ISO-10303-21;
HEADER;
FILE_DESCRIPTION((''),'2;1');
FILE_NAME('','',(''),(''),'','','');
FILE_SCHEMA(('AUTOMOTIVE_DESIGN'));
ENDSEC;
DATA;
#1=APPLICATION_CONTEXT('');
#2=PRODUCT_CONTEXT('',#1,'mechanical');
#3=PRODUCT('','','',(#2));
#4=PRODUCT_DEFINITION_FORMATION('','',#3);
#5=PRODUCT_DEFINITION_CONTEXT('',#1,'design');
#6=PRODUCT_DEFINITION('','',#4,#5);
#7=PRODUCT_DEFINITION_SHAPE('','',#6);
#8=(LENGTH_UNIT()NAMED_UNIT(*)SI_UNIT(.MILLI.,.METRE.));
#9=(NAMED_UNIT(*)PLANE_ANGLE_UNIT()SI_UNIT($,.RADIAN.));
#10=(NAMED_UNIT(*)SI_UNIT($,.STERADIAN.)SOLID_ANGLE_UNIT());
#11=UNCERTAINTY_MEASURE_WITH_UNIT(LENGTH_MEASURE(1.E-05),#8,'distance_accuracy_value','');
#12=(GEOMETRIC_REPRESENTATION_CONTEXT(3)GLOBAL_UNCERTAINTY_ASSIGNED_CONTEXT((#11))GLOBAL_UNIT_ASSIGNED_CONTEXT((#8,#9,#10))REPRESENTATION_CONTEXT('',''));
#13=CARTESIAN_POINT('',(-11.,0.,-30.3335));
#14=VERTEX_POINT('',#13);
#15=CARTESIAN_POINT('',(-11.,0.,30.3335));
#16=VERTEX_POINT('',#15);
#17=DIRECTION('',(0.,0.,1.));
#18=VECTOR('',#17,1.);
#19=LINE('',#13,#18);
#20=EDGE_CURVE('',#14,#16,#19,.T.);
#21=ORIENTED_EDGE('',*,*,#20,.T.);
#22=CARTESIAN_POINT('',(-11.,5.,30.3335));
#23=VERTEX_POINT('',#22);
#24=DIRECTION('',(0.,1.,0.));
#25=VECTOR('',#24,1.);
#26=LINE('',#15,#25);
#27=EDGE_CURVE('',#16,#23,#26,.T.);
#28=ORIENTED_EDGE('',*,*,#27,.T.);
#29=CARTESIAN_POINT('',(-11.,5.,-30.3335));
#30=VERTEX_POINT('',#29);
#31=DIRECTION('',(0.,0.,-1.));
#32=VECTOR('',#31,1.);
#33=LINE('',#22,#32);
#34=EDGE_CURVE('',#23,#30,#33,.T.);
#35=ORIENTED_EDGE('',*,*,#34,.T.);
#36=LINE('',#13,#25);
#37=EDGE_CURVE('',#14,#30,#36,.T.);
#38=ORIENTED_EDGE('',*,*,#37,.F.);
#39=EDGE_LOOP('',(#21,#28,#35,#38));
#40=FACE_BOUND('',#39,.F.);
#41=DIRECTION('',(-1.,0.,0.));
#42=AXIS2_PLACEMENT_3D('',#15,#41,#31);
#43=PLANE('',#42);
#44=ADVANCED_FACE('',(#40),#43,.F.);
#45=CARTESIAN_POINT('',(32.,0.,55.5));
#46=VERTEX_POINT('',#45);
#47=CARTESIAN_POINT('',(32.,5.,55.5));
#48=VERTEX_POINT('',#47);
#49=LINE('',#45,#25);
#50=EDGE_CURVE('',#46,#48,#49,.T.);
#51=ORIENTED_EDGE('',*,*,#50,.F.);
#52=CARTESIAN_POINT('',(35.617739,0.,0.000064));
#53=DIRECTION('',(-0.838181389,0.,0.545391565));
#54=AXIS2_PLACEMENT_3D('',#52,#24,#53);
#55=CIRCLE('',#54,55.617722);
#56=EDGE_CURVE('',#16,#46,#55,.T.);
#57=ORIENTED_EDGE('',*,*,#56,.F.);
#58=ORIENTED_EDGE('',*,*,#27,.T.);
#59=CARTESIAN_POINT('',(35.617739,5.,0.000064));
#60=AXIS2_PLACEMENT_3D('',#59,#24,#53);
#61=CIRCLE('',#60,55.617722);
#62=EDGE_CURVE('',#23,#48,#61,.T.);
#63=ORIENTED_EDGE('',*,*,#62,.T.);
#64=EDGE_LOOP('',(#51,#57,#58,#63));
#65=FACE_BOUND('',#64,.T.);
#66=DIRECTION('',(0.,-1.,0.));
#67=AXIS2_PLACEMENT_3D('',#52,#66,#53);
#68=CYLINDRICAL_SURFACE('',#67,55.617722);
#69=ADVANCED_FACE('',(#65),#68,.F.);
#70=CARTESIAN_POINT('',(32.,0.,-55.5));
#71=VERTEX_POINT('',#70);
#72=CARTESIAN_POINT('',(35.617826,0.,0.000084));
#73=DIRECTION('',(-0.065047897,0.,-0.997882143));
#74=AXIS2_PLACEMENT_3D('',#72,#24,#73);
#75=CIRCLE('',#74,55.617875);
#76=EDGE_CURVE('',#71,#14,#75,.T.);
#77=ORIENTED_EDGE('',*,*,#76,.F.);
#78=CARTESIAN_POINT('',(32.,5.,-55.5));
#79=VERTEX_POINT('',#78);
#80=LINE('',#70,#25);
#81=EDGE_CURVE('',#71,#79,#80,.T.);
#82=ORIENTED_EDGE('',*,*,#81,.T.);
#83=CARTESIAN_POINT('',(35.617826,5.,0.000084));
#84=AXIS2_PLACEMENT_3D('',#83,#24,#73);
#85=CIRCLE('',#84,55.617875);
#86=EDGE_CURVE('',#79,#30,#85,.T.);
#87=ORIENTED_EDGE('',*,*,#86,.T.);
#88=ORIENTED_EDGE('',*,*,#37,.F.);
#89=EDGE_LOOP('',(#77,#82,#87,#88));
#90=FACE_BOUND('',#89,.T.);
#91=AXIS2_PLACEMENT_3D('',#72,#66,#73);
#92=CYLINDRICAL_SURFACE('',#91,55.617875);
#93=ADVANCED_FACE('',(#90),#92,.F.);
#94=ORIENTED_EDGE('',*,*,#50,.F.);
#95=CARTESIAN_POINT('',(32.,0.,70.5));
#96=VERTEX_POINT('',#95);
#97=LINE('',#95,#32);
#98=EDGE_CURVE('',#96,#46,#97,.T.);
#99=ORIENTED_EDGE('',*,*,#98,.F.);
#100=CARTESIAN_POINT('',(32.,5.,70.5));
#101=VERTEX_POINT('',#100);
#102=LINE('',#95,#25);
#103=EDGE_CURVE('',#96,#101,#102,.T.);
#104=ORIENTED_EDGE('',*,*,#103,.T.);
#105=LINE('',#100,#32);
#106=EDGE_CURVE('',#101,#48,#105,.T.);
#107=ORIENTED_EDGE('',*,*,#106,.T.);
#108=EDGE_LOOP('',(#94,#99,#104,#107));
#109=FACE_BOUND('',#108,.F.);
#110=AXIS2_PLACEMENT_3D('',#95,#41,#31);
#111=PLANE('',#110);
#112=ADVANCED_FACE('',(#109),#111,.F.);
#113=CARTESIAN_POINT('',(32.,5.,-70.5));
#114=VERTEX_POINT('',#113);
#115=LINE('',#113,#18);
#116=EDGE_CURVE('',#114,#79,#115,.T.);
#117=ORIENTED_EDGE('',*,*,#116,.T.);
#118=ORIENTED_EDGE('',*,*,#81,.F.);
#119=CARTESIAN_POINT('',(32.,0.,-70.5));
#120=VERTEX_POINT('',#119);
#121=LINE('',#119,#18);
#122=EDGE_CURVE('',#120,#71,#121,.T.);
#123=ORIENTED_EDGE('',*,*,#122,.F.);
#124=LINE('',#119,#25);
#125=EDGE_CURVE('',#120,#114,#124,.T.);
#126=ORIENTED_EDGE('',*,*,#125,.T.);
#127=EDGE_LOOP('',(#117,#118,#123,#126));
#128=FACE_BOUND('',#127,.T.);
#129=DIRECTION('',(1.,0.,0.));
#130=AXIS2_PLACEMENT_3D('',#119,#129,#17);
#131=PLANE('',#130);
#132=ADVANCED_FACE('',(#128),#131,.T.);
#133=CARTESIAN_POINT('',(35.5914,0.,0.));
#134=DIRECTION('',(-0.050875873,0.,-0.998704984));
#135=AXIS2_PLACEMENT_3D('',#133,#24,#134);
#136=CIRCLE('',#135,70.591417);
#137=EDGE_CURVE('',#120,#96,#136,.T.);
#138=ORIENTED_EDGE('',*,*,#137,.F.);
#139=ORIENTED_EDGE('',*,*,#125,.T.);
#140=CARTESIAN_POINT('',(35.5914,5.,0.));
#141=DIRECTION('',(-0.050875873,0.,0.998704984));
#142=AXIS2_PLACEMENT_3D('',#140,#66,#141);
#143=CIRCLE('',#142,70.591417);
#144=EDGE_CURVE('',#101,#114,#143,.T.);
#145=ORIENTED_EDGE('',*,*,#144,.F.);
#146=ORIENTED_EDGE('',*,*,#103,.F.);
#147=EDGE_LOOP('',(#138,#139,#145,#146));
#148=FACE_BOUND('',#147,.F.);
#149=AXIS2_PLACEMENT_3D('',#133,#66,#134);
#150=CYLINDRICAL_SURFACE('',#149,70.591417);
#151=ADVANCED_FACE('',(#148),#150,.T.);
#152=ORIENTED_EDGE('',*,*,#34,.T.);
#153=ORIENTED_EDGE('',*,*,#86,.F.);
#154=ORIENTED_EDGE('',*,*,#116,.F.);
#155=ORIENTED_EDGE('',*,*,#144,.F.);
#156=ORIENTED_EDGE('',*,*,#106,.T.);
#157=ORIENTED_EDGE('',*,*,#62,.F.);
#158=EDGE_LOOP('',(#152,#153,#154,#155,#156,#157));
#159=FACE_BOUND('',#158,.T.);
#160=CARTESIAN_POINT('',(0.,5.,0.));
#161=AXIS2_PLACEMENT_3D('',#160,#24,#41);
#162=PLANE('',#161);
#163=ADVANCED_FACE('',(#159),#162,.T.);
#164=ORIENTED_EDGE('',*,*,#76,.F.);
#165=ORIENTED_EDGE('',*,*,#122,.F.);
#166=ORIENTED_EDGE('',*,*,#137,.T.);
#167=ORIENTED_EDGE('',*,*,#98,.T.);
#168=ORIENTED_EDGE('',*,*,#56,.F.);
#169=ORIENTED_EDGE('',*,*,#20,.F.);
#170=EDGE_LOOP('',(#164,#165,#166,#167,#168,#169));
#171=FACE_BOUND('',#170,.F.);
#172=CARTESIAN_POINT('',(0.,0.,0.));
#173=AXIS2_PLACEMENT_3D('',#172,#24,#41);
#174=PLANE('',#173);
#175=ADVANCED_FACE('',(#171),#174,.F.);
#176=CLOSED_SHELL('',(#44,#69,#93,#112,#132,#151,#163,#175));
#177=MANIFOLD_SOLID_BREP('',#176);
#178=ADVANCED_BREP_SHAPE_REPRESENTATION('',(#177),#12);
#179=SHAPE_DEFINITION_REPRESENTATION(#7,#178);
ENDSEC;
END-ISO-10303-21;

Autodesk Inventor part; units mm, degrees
ref_plane "YZ Plane" through (0, 0, 0) normal (1, 0, 0) x (0, 1, 0)
ref_plane "XZ Plane" through (0, 0, 0) normal (0, 1, 0) x (-1, 0, 0)
ref_plane "XY Plane" through (0, 0, 0) normal (0, 0, 1) x (1, 0, 0)
sketch "Sketch1" plane through (0, 0, 0) normal (0, 1, 0) x (-1, 0, 0)
  line L0 (-32, 70.5) -> (-32, 55.5)
  line L1 (-32, -70.5) -> (-32, -55.5)
  arc A0 (11, 30.3335) -> (-32, 55.5) centre (-35.6178, 0) ccw
  arc A1 (-32, -55.5) -> (11, -30.3335) centre (-35.6178, 0) ccw
  line L2 (11, 30.3335) -> (11, -30.3335)
  arc A2 (-32, -70.5) -> (-32, 70.5) centre (-35.5914, 0) ccw
  line L3 (35, 0) -> (11, 0)
  point P0 (0, 0)
  dimension "d1" = 141
  dimension "d2" = 15
  dimension "d3" = 15
  dimension "d7" = 24
extrude "Extrusion1" add sketch "Sketch1" along normal blind 5
properties part number "zablona_oblouk"
